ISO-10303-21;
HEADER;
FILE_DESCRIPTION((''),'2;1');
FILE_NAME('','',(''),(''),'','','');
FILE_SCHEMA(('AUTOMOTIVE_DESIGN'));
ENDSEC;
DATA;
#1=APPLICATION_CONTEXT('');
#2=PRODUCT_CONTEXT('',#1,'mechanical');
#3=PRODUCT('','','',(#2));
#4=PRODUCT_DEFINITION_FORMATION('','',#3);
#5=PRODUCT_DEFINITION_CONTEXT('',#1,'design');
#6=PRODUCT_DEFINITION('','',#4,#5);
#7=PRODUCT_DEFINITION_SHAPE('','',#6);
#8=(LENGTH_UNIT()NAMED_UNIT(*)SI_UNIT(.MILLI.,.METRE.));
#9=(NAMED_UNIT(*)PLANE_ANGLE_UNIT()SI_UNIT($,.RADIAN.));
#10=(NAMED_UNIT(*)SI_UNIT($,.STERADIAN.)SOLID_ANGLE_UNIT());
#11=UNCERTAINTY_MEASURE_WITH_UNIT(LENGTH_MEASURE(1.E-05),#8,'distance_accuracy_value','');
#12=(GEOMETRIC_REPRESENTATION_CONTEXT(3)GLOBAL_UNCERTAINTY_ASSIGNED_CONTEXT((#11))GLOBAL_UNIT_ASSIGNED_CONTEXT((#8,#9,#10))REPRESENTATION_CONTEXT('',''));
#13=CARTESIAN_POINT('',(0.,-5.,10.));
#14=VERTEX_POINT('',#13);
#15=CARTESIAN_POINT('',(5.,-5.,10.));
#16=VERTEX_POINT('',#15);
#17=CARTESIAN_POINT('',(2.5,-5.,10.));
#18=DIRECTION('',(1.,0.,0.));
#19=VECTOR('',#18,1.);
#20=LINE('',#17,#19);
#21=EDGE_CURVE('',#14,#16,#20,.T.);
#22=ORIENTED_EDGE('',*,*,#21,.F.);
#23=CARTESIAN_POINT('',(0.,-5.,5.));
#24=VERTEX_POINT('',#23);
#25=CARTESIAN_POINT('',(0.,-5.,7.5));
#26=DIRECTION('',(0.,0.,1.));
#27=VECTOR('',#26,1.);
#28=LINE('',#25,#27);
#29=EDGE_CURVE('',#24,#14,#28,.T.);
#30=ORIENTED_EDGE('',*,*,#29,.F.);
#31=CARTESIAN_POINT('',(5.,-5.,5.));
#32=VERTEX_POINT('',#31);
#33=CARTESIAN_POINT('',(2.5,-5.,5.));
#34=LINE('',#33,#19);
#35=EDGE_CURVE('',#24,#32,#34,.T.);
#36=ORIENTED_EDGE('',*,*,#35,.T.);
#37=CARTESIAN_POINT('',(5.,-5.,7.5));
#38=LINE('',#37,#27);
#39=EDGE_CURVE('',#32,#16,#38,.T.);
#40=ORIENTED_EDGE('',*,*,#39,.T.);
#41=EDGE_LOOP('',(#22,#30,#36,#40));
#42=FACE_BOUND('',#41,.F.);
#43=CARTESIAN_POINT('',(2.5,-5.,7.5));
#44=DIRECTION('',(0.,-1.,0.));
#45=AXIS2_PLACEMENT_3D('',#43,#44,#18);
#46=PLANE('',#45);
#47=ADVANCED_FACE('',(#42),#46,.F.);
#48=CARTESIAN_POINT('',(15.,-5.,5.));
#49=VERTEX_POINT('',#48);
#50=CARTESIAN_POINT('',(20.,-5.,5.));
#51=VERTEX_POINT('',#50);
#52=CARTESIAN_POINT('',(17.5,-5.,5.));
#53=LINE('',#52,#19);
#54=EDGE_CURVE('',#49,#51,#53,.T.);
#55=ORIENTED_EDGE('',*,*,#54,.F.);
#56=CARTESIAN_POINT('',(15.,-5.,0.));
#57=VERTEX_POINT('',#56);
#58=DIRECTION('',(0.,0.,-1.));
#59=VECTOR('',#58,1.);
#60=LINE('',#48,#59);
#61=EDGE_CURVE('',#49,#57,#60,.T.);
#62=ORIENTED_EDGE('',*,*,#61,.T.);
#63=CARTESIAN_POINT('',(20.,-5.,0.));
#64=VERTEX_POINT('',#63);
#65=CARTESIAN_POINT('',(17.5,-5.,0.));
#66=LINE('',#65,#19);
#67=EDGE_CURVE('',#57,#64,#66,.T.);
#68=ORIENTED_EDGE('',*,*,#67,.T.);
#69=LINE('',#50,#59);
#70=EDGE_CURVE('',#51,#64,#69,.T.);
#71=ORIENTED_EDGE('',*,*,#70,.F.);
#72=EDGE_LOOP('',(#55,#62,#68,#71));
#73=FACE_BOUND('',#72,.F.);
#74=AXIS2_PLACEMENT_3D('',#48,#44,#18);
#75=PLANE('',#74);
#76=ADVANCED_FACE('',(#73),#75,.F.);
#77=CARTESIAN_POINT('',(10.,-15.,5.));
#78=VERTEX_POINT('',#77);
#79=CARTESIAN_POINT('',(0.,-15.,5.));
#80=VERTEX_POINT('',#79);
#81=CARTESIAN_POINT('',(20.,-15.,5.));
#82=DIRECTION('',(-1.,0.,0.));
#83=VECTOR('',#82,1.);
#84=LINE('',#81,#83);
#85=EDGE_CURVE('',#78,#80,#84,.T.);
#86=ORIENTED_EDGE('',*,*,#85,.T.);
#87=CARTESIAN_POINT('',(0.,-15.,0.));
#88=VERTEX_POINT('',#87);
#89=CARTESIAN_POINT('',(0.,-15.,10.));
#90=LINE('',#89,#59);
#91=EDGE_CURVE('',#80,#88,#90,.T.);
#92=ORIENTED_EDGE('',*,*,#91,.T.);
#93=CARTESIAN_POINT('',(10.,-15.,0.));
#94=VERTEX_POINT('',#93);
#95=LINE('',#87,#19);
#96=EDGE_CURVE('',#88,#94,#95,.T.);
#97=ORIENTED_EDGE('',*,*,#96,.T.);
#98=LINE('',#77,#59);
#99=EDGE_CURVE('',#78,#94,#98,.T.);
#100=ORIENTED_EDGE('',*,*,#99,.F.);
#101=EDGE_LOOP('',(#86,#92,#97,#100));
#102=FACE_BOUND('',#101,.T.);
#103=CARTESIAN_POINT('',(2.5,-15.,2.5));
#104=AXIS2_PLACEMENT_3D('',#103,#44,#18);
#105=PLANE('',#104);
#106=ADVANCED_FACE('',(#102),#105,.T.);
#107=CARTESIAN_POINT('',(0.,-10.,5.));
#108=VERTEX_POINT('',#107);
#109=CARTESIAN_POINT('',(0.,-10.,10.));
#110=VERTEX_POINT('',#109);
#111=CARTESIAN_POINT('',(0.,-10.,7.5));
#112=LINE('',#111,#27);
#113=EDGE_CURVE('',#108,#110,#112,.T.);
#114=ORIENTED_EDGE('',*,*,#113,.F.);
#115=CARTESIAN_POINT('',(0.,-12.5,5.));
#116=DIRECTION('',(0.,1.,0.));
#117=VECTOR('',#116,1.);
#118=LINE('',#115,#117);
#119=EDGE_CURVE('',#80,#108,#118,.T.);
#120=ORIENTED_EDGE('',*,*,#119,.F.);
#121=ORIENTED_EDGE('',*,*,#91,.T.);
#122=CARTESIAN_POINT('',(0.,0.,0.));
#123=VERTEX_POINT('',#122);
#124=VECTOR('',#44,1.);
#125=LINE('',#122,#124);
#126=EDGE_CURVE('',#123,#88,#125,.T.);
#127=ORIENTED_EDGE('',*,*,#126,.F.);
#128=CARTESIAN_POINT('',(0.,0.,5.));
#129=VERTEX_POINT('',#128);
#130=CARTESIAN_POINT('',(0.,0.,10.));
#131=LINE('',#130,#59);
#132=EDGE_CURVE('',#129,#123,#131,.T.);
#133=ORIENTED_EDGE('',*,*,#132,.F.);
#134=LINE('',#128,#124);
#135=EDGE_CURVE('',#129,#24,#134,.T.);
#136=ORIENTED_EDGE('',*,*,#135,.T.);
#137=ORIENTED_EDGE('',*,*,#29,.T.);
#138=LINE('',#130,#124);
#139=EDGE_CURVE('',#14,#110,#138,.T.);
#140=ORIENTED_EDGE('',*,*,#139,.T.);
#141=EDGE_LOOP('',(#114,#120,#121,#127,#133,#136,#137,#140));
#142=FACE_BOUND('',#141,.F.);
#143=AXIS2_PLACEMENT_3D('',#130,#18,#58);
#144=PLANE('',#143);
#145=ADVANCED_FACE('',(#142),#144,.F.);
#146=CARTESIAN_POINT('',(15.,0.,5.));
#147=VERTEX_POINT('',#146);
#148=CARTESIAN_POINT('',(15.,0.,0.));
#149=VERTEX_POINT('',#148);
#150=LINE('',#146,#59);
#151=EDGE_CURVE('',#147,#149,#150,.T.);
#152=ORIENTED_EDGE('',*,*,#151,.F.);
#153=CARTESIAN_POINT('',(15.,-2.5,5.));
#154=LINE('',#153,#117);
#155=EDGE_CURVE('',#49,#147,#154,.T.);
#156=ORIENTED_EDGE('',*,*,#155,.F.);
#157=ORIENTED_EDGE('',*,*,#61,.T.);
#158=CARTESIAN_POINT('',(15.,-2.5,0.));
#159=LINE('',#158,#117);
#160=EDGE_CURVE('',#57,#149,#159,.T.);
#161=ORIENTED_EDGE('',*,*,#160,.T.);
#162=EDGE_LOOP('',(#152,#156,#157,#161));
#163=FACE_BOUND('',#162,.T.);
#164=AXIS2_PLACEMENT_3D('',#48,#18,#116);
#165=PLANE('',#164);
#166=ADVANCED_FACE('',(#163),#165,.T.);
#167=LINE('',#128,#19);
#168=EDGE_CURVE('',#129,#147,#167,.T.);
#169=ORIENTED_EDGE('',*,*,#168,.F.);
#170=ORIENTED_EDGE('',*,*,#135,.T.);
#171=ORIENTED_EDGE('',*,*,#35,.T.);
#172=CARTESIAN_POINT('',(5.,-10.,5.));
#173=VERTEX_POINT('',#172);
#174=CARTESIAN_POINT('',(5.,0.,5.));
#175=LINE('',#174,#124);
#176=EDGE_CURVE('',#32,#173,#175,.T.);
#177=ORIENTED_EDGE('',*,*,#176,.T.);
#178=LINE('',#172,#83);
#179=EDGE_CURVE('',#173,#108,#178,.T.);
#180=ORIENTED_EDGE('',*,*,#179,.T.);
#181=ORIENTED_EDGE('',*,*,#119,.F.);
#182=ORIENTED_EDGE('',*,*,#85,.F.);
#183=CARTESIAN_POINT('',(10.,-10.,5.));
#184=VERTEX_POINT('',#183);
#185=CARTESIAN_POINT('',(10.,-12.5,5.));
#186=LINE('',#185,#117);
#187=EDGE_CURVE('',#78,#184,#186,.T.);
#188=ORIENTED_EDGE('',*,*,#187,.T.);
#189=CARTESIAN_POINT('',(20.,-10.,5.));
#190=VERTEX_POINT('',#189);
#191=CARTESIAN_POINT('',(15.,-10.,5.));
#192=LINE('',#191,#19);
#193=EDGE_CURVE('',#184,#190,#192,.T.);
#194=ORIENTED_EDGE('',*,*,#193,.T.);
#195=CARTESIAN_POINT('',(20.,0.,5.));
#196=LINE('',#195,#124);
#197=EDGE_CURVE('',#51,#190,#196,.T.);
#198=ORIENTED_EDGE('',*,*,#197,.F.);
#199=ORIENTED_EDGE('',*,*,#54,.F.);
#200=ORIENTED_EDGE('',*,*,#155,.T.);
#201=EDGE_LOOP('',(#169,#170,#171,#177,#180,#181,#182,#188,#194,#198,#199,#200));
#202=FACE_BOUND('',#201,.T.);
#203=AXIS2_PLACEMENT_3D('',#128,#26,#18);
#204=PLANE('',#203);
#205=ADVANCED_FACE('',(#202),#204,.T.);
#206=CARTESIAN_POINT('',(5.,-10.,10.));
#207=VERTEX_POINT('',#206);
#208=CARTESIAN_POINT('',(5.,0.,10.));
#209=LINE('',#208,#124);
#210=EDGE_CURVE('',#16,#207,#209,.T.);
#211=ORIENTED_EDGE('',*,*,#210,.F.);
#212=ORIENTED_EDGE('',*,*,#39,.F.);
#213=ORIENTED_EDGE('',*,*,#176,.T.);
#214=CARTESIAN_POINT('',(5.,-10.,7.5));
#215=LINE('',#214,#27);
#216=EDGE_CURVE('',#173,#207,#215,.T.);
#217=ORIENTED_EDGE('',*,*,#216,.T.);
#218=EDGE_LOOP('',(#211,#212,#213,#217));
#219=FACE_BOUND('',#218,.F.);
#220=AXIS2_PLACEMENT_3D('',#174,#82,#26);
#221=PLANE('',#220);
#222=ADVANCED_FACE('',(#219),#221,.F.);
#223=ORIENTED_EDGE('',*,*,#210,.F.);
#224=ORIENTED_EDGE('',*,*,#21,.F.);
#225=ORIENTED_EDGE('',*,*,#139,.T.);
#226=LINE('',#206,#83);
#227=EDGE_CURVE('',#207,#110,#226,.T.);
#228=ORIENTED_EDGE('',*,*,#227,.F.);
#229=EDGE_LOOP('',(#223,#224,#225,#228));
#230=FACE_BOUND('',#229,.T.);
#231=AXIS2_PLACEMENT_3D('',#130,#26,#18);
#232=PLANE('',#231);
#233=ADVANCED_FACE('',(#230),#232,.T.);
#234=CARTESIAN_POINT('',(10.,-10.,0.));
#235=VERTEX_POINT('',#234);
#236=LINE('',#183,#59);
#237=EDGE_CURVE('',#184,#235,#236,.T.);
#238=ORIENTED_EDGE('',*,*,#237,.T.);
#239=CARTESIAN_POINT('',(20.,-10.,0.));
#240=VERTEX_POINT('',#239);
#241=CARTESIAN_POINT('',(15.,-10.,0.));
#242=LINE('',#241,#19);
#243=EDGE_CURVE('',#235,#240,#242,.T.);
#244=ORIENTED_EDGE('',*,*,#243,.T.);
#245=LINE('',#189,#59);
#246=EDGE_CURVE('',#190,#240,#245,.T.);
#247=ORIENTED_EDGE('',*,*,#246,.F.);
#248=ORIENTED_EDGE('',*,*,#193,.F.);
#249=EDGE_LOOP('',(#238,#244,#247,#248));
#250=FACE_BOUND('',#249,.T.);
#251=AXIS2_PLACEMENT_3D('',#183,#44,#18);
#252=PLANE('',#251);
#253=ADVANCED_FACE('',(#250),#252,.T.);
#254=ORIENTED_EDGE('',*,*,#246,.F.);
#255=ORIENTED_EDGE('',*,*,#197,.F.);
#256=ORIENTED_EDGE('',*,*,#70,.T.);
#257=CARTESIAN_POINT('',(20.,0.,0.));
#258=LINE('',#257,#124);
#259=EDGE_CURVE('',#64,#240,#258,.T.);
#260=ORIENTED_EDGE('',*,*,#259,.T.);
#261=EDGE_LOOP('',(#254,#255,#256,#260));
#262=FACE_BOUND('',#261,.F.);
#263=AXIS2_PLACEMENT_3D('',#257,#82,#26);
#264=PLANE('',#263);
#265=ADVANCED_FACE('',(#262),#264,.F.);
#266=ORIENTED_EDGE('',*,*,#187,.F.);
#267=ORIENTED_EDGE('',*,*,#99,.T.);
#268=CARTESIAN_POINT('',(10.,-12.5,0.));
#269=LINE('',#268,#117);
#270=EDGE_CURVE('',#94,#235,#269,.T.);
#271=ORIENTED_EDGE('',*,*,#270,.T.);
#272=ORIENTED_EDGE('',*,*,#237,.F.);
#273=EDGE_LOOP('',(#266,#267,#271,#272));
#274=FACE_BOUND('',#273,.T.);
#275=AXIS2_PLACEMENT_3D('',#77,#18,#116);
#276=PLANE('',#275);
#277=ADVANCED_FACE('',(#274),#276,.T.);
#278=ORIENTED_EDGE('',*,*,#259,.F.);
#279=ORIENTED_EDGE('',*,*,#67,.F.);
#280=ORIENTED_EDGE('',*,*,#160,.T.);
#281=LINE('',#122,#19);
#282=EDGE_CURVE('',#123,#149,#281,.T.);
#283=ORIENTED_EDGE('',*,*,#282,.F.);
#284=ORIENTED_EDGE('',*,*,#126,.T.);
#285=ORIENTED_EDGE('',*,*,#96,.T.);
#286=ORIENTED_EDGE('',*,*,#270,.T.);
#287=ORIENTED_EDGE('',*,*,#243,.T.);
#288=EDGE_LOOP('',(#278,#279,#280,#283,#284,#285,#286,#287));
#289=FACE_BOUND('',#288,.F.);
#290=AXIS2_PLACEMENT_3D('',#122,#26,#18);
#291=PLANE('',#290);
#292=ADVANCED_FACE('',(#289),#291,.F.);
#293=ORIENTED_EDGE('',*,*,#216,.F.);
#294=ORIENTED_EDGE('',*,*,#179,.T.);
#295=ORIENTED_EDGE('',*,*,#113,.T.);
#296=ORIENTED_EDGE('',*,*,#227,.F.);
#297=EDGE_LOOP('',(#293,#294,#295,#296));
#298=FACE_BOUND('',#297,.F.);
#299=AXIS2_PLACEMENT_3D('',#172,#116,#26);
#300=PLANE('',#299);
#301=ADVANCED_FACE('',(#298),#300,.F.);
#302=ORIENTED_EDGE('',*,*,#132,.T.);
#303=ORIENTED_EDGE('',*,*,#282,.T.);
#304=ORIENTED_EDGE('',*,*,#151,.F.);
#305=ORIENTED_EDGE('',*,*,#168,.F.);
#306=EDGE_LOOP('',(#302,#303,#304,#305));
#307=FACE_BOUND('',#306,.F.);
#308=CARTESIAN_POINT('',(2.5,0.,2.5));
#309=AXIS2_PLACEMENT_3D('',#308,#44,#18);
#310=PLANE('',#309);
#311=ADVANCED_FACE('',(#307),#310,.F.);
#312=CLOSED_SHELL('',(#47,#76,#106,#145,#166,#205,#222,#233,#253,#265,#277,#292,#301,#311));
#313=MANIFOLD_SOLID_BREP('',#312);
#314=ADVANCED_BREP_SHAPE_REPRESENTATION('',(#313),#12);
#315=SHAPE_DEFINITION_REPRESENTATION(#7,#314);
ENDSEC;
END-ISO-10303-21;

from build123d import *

# Parameters (mm, degrees)
F0_W     = 5
F0_H     = 5
F0_W_2   = 10
F1_DEPTH = 15
F2_DEPTH = 5
F3_W     = 5
F3_H     = 5
F4_DEPTH = 5
F5_W     = 10
F5_H     = 5
F6_DEPTH = 5
F5_W_2   = 5
F7_DEPTH = 5


with BuildPart() as f1:
    # F0 (on Front) → F1 (new body)
    with BuildSketch(Plane.XZ):
        with Locations((2.5, 2.5)):
            Rectangle(F0_W, F0_H)
        with Locations((7.5, 2.5)):
            Rectangle(F0_W, F0_H)
        with Locations((2.5, 7.5)):
            Rectangle(F0_W, F0_H)
        with Locations((15, 2.5)):
            Rectangle(F0_W_2, F0_H)
    extrude(amount=F1_DEPTH)

    # F0 (on Front) → F2 (cut)
    with BuildSketch(Plane.XZ):
        with Locations((2.5, 7.5)):
            Rectangle(F0_W, F0_H)
    extrude(amount=F2_DEPTH, mode=Mode.SUBTRACT)

    # F3 (on face) → F4 (cut)
    with BuildSketch(Plane.YZ.offset(5)):
        with Locations((-12.5, 7.5)):
            Rectangle(F3_W, F3_H)
    extrude(amount=-F4_DEPTH, mode=Mode.SUBTRACT)

    # F5 (on face) → F6 (cut)
    with BuildSketch(Plane.XY.offset(5)):
        with Locations((15, -12.5)):
            Rectangle(F5_W, F5_H)
    extrude(amount=-F6_DEPTH, mode=Mode.SUBTRACT)

    # F5 (on face) → F7 (cut)
    with BuildSketch(Plane.XY.offset(5)):
        with Locations((17.5, -2.5)):
            Rectangle(F5_W_2, F5_H)
    extrude(amount=-F7_DEPTH, mode=Mode.SUBTRACT)


solid = f1.part
